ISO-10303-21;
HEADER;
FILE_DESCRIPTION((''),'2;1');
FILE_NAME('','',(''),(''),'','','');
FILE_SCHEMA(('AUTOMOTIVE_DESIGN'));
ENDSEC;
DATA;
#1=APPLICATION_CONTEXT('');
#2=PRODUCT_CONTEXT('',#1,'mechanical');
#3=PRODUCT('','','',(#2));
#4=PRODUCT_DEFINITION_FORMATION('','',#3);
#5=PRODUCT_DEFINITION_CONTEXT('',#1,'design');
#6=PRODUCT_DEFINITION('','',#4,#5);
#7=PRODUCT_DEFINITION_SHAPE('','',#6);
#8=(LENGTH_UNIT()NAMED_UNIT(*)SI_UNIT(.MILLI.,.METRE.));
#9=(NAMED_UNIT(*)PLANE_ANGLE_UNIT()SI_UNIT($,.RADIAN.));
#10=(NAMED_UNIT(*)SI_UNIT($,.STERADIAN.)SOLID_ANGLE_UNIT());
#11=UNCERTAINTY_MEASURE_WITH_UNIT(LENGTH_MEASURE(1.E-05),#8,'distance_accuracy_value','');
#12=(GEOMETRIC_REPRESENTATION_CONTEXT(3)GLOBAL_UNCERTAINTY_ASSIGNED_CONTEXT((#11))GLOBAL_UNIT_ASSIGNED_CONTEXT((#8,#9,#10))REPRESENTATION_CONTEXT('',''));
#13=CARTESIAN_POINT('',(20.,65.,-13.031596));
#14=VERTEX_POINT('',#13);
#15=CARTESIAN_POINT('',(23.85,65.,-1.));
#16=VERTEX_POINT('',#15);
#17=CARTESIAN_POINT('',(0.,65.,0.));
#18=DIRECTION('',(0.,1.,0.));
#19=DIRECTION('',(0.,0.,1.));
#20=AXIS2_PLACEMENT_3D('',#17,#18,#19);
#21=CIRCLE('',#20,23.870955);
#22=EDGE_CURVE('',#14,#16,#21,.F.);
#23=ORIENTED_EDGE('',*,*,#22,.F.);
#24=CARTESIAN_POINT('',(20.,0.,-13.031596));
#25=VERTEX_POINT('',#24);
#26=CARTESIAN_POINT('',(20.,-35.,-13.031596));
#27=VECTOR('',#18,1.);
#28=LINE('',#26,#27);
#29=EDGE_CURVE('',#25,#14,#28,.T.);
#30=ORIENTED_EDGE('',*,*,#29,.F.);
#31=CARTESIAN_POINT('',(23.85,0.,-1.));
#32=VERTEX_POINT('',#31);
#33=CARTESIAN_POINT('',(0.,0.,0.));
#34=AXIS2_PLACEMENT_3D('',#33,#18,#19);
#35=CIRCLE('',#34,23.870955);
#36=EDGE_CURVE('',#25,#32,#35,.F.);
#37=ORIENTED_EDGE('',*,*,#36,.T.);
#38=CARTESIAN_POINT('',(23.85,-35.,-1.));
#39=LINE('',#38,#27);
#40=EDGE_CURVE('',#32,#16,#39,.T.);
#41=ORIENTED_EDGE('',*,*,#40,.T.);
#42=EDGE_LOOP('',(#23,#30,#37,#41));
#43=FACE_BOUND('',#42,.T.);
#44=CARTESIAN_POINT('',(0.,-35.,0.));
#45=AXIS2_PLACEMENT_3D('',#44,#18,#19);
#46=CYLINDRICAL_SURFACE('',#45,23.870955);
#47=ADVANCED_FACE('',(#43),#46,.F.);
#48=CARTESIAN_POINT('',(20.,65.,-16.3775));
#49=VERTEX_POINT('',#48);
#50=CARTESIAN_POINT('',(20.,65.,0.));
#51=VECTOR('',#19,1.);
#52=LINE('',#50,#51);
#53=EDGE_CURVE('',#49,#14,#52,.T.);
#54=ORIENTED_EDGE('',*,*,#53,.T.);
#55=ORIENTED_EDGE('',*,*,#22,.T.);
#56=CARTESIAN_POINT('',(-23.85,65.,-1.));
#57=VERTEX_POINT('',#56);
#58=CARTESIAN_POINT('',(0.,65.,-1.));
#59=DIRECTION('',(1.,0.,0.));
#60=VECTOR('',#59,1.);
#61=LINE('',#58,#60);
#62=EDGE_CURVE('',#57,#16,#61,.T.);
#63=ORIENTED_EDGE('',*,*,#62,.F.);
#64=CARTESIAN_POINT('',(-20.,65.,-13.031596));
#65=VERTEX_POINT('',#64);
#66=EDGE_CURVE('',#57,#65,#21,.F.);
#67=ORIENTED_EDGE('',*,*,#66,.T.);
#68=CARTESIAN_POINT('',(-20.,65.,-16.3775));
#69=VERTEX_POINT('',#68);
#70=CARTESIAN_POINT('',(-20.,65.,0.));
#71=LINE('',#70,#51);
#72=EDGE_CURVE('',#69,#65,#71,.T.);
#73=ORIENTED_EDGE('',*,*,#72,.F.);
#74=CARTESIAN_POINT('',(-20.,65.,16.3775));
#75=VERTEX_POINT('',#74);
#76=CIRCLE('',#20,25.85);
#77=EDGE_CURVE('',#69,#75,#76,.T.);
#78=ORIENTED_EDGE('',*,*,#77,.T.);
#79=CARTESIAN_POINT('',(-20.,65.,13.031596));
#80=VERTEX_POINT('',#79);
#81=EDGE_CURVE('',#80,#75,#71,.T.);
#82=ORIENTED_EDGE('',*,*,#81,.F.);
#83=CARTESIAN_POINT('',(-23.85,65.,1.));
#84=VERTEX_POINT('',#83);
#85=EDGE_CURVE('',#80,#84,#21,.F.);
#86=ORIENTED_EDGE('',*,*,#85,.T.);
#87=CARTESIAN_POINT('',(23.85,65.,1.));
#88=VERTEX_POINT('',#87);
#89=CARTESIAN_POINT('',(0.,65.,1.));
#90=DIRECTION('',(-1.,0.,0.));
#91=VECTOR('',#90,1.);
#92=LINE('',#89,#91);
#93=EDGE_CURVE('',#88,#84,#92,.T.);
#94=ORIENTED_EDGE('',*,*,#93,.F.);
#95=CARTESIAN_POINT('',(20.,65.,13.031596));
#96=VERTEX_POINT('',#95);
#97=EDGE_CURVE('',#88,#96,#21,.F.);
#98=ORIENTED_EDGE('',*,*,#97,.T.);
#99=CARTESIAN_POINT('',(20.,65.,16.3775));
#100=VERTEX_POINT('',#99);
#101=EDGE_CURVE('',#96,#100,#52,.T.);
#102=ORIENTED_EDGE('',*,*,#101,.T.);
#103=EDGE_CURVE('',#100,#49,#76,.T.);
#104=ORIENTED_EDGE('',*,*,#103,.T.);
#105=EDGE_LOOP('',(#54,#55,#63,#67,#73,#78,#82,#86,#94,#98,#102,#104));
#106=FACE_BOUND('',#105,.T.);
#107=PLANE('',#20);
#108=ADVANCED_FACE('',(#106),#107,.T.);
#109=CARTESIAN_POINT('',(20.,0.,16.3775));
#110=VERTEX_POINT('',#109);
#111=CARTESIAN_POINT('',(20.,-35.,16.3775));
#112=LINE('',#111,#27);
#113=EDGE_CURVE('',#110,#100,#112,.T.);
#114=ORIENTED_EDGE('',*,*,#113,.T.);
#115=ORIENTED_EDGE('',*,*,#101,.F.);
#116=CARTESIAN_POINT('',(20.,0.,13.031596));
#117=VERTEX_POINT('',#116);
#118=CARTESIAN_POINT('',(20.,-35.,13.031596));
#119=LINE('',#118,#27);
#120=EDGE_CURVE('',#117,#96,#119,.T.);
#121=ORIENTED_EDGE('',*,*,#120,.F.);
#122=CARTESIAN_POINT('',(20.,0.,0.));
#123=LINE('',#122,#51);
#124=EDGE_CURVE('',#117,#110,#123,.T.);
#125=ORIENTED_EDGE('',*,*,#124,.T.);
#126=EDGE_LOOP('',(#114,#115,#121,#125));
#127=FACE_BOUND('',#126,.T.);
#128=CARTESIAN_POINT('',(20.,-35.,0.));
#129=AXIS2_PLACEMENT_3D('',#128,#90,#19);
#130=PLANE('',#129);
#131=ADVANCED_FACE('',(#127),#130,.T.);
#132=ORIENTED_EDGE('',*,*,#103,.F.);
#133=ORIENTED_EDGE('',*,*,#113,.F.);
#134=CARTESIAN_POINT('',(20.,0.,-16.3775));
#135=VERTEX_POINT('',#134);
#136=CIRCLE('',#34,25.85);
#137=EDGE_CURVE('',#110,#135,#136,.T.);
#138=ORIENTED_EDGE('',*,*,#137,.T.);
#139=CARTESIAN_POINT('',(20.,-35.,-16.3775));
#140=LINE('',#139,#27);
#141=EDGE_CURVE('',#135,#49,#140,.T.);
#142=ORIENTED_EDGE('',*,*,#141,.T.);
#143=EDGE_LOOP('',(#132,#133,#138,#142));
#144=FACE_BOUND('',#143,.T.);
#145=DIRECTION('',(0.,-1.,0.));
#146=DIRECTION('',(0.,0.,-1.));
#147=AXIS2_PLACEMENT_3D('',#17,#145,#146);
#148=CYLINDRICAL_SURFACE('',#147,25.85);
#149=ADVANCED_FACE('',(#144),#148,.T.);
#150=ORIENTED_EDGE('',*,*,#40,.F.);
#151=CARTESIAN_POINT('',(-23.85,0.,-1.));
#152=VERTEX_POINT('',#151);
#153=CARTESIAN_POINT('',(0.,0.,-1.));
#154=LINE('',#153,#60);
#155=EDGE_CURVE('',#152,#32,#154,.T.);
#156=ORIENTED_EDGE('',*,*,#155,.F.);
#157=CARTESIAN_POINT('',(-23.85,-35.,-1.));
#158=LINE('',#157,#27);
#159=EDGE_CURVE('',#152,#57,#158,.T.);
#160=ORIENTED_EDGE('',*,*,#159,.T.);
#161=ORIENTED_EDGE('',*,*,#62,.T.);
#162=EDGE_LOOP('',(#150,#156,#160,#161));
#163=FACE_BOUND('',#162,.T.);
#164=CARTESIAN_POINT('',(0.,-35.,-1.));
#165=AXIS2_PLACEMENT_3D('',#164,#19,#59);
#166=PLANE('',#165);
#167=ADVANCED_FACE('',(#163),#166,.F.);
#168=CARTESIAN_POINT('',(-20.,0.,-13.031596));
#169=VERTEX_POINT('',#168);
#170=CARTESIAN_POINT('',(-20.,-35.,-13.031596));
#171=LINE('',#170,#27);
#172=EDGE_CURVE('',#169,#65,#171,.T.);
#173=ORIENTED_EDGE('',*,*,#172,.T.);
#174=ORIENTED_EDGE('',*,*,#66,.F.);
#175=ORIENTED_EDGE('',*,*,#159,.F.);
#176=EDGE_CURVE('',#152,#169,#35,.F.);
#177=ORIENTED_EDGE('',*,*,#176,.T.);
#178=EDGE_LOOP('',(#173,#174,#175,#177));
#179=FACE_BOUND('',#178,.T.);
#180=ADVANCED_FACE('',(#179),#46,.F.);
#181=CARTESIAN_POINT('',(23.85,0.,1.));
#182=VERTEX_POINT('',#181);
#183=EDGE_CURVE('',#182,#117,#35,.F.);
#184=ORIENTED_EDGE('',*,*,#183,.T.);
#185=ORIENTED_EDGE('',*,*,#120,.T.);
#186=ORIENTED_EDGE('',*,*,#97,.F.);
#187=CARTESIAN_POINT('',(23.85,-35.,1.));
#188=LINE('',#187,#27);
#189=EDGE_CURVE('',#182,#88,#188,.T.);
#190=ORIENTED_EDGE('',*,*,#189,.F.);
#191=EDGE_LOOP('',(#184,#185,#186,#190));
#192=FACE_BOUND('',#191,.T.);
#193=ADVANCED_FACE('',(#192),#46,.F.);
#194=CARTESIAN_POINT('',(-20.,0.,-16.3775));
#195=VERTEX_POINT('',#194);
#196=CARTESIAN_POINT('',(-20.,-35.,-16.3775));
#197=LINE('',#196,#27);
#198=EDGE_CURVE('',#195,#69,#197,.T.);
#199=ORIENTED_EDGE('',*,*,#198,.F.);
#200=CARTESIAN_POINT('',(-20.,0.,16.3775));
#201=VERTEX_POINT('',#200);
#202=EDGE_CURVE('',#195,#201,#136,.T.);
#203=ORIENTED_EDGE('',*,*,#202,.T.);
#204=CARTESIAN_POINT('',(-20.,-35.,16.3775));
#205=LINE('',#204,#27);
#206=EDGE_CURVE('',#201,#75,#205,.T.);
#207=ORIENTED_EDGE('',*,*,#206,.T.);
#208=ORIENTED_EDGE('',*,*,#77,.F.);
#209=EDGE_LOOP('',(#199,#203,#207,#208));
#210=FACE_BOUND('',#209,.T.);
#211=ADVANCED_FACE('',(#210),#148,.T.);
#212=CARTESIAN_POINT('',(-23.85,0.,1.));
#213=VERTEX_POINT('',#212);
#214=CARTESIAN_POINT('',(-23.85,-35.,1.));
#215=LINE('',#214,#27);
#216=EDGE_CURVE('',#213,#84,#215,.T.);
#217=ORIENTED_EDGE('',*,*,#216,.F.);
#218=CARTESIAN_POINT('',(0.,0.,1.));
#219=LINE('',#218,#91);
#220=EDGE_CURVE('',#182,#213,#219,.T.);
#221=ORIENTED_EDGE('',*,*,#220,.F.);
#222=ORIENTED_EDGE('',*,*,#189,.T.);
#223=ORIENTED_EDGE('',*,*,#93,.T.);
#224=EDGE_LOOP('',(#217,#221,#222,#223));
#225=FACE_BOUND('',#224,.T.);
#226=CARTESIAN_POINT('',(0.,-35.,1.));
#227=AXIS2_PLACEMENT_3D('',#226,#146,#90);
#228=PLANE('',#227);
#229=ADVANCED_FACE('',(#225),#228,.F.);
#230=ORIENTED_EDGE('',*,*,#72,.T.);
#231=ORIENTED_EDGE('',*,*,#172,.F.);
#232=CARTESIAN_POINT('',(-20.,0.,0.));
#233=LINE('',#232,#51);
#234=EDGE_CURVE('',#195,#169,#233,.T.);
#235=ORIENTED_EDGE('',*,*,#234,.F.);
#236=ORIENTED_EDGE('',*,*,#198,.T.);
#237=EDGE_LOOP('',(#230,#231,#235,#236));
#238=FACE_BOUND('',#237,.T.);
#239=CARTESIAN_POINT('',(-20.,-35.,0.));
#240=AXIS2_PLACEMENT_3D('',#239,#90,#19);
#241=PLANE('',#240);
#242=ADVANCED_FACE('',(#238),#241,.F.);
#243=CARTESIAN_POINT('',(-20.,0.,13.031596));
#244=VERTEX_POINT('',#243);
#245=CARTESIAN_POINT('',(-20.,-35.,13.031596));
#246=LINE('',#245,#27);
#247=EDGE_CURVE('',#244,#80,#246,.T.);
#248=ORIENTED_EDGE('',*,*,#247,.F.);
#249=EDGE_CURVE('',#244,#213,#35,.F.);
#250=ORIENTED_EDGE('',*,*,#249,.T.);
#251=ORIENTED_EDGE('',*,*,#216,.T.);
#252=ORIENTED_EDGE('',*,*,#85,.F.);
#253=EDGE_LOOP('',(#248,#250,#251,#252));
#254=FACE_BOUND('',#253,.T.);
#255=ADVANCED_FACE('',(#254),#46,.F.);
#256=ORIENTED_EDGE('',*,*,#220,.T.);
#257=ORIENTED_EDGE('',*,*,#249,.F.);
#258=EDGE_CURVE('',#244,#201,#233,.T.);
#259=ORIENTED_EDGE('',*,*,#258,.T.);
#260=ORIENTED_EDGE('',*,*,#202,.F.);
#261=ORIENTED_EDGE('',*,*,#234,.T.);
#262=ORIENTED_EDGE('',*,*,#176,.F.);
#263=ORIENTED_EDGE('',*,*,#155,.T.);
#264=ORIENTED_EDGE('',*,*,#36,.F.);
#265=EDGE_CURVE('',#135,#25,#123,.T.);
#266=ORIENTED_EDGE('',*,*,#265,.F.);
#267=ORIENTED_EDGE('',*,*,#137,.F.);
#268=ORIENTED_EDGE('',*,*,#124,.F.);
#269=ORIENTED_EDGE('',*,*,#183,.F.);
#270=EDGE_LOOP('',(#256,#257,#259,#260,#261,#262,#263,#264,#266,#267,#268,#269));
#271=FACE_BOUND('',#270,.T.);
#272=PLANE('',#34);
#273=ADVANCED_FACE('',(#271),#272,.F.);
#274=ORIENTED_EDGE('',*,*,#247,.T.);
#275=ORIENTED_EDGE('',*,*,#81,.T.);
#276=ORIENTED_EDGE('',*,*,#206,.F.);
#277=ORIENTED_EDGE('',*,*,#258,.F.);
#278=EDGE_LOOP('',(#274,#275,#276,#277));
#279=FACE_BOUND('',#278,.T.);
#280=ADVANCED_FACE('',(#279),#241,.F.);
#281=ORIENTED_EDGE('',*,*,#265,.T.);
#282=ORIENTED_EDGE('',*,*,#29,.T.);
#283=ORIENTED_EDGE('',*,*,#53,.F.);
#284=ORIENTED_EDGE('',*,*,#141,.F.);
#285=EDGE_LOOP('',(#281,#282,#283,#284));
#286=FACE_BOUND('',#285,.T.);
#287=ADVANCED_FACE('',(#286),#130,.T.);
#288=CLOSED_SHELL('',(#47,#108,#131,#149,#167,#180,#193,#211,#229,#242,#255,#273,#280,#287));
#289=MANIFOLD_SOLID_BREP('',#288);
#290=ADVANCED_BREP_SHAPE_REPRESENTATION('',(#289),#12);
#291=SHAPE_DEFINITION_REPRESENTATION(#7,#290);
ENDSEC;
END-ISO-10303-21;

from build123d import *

# Parameters (mm, degrees)
SKETCH2_R           = 25.85
BOSS_EXTRUDE1_DEPTH = 65
CUT_EXTRUDE1_START  = -100
CUT_EXTRUDE1_DEPTH  = 100


with BuildPart() as part:
    # Sketch2 → Boss-Extrude1 (new body)
    with BuildSketch(Plane(origin=(0, 0, 0), x_dir=(1, 0, 0), z_dir=(0, 1, 0))):
        with Locations(Location((0, 0, 0), (0, 0, 270))):
            Circle(SKETCH2_R)
    extrude(amount=BOSS_EXTRUDE1_DEPTH)

    # Sketch4 → Cut-Extrude1 (cut)
    with BuildSketch(Plane(origin=(0, 65, 0), x_dir=(1, 0, 0), z_dir=(0, 1, 0)).offset(CUT_EXTRUDE1_START)):
        with BuildLine():
            Line((-20, 16.377499809), (-20, 13.031596218))
            ThreePointArc((-20, 13.031596218), (0, 23.870955155), (20, 13.031596218))
            Line((20, 13.031596218), (20, 16.377499809))
            ThreePointArc((20, 16.377499809), (0, 25.85), (-20, 16.377499809))
        make_face()
        with BuildLine():
            ThreePointArc((20, 13.031596218), (0, 23.870955155), (-20, 13.031596218))
            Line((-20, 13.031596218), (-20, 11.370955155))
            Line((-20, 11.370955155), (20, 11.370955155))
            Line((20, 11.370955155), (20, 13.031596218))
        make_face()
        with BuildLine():
            ThreePointArc((-20, 13.031596218), (-22.735334875, 7.275097808), (-23.85, 1))
            Line((-23.85, 1), (23.85, 1))
            ThreePointArc((23.85, 1), (22.735334875, 7.275097808), (20, 13.031596218))
            Line((20, 13.031596218), (20, 11.370955155))
            Line((20, 11.370955155), (-20, 11.370955155))
            Line((-20, 11.370955155), (-20, 13.031596218))
        make_face()
        with BuildLine():
            ThreePointArc((-23.85, -1), (-22.735334875, -7.275097808), (-20, -13.031596218))
            Line((-20, -13.031596218), (-20, -11.370955155))
            Line((-20, -11.370955155), (20, -11.370955155))
            Line((20, -11.370955155), (20, -13.031596218))
            ThreePointArc((20, -13.031596218), (22.735334875, -7.275097808), (23.85, -1))
            Line((23.85, -1), (-23.85, -1))
        make_face()
        with BuildLine():
            Line((-20, -11.370955155), (-20, -13.031596218))
            ThreePointArc((-20, -13.031596218), (0, -23.870955155), (20, -13.031596218))
            Line((20, -13.031596218), (20, -11.370955155))
            Line((20, -11.370955155), (-20, -11.370955155))
        make_face()
        with BuildLine():
            Line((-20, -13.031596218), (-20, -16.377499809))
            ThreePointArc((-20, -16.377499809), (0, -25.85), (20, -16.377499809))
            Line((20, -16.377499809), (20, -13.031596218))
            ThreePointArc((20, -13.031596218), (0, -23.870955155), (-20, -13.031596218))
        make_face()
    extrude(amount=CUT_EXTRUDE1_DEPTH, mode=Mode.SUBTRACT)


solid = part.part
